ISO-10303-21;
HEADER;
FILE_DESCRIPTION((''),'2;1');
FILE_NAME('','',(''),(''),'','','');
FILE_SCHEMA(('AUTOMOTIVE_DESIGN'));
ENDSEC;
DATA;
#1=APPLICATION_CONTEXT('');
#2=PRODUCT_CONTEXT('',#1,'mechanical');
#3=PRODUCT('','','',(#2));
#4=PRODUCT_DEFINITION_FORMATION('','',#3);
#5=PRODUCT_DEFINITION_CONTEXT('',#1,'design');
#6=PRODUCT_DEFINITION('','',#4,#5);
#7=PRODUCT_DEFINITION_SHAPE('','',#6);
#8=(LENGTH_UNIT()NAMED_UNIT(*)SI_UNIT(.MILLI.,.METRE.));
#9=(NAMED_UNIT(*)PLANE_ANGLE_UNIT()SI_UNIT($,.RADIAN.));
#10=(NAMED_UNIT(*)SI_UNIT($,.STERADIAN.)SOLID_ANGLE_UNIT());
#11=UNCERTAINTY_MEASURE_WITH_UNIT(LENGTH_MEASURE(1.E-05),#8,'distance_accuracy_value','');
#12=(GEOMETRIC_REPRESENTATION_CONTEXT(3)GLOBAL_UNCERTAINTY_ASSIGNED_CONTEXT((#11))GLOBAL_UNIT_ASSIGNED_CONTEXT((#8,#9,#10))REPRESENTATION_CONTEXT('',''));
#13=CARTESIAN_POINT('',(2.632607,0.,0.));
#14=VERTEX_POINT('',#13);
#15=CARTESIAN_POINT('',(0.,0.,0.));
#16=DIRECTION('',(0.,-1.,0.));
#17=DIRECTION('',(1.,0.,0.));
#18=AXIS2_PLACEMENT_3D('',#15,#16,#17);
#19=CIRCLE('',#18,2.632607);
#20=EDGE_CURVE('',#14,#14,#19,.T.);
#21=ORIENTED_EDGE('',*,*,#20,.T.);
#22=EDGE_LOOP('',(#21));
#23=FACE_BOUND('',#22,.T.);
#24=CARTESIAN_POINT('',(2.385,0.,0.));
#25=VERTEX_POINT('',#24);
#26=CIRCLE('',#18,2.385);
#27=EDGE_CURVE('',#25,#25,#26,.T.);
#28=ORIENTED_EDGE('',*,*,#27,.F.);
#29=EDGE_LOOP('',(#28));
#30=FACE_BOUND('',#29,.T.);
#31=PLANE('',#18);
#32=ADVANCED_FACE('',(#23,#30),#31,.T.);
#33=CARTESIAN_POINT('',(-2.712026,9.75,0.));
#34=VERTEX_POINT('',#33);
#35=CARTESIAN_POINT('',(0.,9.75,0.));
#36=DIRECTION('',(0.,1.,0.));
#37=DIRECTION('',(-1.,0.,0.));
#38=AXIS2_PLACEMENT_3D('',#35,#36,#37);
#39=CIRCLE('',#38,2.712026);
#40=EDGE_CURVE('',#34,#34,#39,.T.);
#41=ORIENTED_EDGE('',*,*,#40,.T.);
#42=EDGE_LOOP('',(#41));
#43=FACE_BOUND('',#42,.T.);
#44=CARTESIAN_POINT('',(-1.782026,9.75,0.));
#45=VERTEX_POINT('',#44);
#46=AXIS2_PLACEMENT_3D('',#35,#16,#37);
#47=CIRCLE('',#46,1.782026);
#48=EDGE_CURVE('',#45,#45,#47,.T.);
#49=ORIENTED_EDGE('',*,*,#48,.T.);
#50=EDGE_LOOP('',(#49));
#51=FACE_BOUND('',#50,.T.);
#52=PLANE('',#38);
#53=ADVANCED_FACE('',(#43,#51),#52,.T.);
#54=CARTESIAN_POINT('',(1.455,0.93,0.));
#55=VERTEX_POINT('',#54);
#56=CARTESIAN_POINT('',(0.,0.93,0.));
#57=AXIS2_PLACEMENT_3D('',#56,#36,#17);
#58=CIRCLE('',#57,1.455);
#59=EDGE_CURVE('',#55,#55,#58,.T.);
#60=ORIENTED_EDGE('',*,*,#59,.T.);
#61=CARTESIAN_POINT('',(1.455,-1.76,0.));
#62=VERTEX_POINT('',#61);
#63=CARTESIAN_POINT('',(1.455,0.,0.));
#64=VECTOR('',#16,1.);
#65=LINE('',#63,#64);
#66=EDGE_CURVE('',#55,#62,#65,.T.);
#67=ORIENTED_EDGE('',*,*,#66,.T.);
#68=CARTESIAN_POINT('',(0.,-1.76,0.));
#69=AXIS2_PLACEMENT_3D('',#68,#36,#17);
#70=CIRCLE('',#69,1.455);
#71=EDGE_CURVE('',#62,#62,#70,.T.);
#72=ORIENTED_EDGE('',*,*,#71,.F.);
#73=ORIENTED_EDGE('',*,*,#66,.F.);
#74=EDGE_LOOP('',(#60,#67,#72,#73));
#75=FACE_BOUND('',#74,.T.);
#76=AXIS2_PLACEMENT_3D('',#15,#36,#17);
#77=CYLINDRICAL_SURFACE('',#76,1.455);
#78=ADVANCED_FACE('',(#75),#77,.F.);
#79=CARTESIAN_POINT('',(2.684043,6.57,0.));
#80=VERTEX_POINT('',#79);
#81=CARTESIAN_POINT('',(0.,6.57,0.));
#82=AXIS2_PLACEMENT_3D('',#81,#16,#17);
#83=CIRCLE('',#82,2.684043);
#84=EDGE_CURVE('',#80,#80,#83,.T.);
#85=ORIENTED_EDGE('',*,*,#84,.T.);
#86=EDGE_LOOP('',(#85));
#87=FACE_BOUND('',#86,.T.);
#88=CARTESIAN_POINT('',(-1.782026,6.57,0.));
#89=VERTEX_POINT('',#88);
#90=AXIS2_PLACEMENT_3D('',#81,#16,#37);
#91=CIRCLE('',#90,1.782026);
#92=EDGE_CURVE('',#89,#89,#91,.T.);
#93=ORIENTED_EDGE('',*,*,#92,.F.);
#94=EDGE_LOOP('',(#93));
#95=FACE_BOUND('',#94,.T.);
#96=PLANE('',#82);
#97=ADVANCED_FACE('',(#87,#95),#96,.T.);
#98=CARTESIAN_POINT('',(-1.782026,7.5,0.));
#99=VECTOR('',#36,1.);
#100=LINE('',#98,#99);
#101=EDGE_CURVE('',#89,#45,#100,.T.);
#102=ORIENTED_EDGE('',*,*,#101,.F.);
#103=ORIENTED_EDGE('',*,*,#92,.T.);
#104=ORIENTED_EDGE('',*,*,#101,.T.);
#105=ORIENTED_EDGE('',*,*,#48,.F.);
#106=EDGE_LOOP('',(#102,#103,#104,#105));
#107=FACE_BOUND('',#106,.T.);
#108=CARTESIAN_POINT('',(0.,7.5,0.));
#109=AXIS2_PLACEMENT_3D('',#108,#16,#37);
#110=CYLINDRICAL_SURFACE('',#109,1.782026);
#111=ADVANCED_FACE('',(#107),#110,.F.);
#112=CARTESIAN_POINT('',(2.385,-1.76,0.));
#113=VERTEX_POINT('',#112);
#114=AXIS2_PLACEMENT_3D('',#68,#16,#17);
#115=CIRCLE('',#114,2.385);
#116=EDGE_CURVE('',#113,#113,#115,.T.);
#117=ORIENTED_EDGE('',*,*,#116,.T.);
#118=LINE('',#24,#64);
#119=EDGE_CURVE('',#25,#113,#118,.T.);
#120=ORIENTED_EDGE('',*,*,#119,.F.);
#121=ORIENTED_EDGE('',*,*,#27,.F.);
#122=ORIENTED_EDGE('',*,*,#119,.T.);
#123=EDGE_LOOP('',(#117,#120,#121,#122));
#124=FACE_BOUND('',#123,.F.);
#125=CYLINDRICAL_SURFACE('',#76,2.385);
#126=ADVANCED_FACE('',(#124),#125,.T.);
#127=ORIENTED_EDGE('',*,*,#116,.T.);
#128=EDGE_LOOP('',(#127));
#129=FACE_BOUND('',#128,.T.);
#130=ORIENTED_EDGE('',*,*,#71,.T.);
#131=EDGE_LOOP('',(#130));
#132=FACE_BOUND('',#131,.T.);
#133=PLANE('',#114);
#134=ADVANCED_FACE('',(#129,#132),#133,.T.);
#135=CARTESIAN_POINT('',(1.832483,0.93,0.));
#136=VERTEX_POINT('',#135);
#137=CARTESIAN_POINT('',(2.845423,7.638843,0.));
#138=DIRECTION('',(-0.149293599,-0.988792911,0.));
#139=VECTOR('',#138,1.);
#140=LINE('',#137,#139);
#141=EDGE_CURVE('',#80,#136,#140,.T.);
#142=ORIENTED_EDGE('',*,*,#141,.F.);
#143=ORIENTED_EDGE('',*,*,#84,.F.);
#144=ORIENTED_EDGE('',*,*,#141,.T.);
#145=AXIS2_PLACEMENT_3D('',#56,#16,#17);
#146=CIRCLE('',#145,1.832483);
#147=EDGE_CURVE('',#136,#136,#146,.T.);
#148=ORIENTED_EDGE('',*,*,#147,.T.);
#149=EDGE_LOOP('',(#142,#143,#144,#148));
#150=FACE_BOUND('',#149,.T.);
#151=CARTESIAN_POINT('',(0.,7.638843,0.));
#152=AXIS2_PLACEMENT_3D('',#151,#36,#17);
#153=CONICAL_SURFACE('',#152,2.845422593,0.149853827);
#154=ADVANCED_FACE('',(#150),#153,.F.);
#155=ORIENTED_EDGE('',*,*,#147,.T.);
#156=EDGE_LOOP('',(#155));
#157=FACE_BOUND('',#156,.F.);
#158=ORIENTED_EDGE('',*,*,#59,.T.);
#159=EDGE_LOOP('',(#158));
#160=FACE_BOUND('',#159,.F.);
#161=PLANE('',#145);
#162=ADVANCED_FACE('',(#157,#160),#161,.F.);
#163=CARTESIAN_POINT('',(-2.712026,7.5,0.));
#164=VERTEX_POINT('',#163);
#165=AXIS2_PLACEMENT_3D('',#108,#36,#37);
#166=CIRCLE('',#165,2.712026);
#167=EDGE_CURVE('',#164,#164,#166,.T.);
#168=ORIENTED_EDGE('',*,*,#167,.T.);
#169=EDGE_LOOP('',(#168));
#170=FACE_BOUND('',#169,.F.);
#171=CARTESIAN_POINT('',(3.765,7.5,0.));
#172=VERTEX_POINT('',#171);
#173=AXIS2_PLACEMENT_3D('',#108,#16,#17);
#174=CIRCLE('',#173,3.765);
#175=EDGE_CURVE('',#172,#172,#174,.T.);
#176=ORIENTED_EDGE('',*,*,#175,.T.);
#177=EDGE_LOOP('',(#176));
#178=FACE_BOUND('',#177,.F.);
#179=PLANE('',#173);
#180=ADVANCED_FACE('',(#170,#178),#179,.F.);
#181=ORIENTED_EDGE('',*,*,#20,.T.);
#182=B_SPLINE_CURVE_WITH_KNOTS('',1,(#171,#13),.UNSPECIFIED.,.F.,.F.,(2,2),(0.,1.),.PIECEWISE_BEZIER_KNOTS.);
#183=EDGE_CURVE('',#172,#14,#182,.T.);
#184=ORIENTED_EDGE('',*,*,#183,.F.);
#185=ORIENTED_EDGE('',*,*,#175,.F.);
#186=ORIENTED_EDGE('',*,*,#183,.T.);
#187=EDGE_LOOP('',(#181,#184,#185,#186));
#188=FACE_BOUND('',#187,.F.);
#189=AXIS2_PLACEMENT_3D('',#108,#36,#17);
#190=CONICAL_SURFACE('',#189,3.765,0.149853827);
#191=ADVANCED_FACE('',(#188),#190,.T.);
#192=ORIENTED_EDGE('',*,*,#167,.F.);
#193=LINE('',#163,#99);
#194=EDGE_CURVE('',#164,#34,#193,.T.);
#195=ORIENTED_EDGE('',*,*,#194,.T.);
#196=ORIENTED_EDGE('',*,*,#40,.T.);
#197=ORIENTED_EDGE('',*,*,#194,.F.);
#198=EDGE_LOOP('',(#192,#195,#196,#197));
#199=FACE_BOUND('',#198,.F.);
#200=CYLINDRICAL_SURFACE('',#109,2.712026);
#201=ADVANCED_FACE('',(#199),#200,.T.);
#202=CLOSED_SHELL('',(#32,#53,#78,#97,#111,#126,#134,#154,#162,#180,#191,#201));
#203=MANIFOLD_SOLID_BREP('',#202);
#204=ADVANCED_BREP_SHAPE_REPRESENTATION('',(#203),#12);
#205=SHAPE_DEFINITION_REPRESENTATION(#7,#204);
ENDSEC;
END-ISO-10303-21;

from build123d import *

# Parameters (mm, degrees)
F0_R       = 3.765
F1_DEPTH   = 7.5
F1_FACE1_R = 3.765
F2_R       = 2.6326071787
F4_R       = 2.385
F5_DEPTH   = 1.76
F6_R       = 2.7120257238
F7_DEPTH   = 2.25
F8_T       = -0.93


with BuildPart() as f1:
    # F0 (on Front) → F1 (new body)
    with BuildSketch(Plane.XZ):
        Circle(F0_R)
    extrude(amount=-F1_DEPTH)

    # F1_face1 (on face) → F3 section 0
    with BuildSketch(Plane(origin=(0, 7.5, 0), x_dir=(1, 0, 0), z_dir=(0, 1, 0))):
        Circle(F1_FACE1_R)
    # F2 (on face) → F3 section 1
    with BuildSketch(Plane.XZ):
        Circle(F2_R)
    loft(mode=Mode.INTERSECT)

    # F4 (on Front) → F5 (join)
    with BuildSketch(Plane.XZ):
        Circle(F4_R)
    extrude(amount=F5_DEPTH)

    # F6 (on face) → F7 (join)
    with BuildSketch(Plane(origin=(0, 7.5, 0), x_dir=(-1, 0, 0), z_dir=(0, 1, 0))):
        Circle(F6_R)
    extrude(amount=F7_DEPTH)

    # F8
    f8_openings = [f1.faces().sort_by_distance(p)[0] for p in [
        (0, -1.76, 0),
        (0, 9.75, 0),
    ]]
    offset(amount=F8_T, openings=f8_openings, kind=Kind.INTERSECTION)


solid = f1.part
